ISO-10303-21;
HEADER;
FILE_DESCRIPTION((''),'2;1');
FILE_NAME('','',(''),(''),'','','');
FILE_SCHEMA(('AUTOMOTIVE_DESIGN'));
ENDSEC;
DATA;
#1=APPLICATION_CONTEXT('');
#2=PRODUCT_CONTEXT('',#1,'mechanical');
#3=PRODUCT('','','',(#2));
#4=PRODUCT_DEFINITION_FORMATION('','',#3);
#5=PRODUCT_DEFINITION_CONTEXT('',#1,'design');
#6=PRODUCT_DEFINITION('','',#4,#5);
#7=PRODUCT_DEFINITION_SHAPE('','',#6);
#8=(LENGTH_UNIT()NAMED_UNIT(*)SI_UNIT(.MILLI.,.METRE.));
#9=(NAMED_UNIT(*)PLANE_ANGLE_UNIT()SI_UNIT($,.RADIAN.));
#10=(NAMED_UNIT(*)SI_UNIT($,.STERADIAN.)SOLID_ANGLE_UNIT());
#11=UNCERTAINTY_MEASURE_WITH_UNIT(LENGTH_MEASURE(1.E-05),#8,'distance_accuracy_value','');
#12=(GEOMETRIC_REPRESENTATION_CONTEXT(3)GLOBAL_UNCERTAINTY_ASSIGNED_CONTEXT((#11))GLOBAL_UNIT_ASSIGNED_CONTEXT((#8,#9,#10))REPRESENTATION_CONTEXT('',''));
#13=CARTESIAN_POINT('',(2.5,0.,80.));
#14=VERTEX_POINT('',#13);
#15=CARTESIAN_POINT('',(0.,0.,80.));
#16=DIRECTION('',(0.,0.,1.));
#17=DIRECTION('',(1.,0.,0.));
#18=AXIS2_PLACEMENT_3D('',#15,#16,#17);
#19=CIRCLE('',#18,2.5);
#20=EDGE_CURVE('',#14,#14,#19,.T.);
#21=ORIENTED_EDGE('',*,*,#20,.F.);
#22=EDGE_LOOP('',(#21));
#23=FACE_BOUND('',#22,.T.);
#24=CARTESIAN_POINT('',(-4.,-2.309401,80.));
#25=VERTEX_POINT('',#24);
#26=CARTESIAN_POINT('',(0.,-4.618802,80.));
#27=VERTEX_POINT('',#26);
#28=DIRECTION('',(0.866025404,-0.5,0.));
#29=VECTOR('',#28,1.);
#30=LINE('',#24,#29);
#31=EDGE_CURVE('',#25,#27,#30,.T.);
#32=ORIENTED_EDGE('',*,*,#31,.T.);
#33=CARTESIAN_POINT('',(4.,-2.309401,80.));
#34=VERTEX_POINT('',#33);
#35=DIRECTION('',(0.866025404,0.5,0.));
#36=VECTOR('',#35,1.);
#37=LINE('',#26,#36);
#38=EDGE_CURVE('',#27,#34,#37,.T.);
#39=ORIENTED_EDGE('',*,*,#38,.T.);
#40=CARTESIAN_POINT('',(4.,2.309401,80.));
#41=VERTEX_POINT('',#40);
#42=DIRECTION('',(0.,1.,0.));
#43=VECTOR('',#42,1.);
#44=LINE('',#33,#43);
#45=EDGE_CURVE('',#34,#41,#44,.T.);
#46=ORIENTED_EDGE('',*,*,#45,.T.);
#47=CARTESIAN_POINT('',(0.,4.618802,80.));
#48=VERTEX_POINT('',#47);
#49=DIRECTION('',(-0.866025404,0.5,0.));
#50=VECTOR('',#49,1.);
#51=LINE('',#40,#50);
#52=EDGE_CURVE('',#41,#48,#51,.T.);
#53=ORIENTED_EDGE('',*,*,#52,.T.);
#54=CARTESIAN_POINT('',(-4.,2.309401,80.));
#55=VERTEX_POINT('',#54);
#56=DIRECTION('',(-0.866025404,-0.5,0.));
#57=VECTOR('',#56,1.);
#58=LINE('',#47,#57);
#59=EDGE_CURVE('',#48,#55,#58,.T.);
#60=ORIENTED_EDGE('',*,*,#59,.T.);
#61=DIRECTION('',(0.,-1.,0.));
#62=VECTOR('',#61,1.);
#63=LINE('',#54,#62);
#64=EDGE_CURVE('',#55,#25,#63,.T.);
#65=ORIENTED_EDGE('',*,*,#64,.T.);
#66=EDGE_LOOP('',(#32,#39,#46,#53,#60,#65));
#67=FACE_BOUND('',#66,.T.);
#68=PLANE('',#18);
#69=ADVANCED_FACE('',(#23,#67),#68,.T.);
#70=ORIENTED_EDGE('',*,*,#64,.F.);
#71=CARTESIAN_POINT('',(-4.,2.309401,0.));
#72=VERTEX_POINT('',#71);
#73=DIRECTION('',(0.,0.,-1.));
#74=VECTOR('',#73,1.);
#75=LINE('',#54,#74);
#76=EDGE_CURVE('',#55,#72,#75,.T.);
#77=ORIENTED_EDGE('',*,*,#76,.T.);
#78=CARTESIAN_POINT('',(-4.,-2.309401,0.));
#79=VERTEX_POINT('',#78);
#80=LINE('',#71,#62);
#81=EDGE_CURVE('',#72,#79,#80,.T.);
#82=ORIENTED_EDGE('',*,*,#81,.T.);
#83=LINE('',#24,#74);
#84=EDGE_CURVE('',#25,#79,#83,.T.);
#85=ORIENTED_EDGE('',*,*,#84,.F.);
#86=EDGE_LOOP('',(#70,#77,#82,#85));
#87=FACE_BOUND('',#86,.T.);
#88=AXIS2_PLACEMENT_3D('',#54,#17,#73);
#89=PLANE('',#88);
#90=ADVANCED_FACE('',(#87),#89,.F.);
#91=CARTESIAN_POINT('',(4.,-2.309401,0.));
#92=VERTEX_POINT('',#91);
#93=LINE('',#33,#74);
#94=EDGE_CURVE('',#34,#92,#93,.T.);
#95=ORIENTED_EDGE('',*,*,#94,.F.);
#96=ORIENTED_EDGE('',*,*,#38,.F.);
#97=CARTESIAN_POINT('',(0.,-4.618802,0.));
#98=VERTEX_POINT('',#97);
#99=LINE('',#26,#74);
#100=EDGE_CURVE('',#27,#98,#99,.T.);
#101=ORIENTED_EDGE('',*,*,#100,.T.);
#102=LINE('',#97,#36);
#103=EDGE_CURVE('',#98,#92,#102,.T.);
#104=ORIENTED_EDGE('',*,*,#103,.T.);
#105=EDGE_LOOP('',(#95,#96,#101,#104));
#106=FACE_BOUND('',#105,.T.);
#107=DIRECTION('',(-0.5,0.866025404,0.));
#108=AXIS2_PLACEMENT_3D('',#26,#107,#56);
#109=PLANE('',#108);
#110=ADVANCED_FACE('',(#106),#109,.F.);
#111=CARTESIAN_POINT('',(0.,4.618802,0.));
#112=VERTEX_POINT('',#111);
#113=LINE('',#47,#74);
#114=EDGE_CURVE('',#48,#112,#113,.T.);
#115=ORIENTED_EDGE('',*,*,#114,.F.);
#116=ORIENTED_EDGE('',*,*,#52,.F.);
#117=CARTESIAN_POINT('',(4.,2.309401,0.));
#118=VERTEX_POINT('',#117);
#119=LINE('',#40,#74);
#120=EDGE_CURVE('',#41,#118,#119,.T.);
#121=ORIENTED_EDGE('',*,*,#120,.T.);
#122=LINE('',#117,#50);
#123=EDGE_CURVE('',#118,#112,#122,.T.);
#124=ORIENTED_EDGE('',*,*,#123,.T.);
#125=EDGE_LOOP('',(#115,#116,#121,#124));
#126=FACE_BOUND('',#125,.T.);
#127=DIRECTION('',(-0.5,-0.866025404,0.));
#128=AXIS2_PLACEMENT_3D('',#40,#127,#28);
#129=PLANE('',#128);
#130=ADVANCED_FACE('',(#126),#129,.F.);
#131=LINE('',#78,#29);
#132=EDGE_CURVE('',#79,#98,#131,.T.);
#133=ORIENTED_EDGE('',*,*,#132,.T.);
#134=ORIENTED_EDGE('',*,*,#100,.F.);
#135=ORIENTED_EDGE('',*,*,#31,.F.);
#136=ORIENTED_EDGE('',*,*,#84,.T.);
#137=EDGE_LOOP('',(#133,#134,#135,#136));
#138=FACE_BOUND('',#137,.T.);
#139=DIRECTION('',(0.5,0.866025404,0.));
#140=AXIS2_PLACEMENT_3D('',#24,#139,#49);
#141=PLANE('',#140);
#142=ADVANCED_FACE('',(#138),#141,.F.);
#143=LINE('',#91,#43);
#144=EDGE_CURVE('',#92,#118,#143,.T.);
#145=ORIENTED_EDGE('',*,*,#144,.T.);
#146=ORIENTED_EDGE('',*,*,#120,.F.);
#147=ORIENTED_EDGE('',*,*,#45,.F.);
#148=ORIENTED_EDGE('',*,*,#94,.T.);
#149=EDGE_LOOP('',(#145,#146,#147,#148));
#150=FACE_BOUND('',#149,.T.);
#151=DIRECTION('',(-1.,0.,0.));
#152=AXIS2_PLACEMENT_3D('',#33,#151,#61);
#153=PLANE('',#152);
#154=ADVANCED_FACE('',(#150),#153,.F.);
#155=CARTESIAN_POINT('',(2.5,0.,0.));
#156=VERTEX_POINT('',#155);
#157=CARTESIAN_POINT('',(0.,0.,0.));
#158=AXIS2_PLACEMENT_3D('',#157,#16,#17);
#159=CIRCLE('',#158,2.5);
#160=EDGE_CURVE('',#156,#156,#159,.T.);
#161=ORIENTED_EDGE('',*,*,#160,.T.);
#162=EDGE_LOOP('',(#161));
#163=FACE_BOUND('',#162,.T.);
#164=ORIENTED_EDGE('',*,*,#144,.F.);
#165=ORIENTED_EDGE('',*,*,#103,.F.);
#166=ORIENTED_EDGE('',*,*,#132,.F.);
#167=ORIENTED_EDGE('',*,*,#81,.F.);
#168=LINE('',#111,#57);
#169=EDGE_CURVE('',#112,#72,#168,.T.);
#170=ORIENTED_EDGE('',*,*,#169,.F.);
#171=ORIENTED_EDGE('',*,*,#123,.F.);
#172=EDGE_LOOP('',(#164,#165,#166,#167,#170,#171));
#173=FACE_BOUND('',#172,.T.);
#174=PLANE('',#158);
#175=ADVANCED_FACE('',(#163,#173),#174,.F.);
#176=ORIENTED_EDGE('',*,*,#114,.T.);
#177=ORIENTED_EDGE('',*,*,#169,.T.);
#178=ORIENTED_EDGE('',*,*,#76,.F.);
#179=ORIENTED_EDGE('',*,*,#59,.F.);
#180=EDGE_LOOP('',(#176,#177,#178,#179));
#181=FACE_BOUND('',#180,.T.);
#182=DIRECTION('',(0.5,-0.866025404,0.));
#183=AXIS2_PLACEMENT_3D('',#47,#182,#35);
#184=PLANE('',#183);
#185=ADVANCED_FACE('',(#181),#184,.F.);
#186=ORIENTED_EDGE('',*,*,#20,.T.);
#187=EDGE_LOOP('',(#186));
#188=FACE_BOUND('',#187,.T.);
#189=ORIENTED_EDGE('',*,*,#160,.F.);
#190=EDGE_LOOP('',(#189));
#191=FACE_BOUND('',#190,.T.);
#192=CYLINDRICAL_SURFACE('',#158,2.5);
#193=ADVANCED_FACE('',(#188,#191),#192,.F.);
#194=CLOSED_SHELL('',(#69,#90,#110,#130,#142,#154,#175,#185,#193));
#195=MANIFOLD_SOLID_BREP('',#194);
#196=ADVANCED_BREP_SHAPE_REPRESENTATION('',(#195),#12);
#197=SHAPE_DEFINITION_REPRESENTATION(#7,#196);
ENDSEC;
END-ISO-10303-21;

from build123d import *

# Parameters (mm, degrees)
EXTRUDE_1_DEPTH     = 80
SKETCH_2_R          = 2.5
CUT_EXTRUDE_1_DEPTH = 81.232994044


with BuildPart() as part:
    # 草图1 → 凸台-拉伸1 (new body)
    with BuildSketch(Plane.XY):
        Polygon((4, -2.309401077), (4, 2.309401077), (0, 4.618802154), (-4, 2.309401077), (-4, -2.309401077), (0, -4.618802154), align=None)
    extrude(amount=EXTRUDE_1_DEPTH)

    # 草图2 → 切除-拉伸1 (cut, through all)
    with BuildSketch(Plane.XY.offset(80)):
        Circle(SKETCH_2_R)
    extrude(amount=-CUT_EXTRUDE_1_DEPTH, mode=Mode.SUBTRACT)


solid = part.part
